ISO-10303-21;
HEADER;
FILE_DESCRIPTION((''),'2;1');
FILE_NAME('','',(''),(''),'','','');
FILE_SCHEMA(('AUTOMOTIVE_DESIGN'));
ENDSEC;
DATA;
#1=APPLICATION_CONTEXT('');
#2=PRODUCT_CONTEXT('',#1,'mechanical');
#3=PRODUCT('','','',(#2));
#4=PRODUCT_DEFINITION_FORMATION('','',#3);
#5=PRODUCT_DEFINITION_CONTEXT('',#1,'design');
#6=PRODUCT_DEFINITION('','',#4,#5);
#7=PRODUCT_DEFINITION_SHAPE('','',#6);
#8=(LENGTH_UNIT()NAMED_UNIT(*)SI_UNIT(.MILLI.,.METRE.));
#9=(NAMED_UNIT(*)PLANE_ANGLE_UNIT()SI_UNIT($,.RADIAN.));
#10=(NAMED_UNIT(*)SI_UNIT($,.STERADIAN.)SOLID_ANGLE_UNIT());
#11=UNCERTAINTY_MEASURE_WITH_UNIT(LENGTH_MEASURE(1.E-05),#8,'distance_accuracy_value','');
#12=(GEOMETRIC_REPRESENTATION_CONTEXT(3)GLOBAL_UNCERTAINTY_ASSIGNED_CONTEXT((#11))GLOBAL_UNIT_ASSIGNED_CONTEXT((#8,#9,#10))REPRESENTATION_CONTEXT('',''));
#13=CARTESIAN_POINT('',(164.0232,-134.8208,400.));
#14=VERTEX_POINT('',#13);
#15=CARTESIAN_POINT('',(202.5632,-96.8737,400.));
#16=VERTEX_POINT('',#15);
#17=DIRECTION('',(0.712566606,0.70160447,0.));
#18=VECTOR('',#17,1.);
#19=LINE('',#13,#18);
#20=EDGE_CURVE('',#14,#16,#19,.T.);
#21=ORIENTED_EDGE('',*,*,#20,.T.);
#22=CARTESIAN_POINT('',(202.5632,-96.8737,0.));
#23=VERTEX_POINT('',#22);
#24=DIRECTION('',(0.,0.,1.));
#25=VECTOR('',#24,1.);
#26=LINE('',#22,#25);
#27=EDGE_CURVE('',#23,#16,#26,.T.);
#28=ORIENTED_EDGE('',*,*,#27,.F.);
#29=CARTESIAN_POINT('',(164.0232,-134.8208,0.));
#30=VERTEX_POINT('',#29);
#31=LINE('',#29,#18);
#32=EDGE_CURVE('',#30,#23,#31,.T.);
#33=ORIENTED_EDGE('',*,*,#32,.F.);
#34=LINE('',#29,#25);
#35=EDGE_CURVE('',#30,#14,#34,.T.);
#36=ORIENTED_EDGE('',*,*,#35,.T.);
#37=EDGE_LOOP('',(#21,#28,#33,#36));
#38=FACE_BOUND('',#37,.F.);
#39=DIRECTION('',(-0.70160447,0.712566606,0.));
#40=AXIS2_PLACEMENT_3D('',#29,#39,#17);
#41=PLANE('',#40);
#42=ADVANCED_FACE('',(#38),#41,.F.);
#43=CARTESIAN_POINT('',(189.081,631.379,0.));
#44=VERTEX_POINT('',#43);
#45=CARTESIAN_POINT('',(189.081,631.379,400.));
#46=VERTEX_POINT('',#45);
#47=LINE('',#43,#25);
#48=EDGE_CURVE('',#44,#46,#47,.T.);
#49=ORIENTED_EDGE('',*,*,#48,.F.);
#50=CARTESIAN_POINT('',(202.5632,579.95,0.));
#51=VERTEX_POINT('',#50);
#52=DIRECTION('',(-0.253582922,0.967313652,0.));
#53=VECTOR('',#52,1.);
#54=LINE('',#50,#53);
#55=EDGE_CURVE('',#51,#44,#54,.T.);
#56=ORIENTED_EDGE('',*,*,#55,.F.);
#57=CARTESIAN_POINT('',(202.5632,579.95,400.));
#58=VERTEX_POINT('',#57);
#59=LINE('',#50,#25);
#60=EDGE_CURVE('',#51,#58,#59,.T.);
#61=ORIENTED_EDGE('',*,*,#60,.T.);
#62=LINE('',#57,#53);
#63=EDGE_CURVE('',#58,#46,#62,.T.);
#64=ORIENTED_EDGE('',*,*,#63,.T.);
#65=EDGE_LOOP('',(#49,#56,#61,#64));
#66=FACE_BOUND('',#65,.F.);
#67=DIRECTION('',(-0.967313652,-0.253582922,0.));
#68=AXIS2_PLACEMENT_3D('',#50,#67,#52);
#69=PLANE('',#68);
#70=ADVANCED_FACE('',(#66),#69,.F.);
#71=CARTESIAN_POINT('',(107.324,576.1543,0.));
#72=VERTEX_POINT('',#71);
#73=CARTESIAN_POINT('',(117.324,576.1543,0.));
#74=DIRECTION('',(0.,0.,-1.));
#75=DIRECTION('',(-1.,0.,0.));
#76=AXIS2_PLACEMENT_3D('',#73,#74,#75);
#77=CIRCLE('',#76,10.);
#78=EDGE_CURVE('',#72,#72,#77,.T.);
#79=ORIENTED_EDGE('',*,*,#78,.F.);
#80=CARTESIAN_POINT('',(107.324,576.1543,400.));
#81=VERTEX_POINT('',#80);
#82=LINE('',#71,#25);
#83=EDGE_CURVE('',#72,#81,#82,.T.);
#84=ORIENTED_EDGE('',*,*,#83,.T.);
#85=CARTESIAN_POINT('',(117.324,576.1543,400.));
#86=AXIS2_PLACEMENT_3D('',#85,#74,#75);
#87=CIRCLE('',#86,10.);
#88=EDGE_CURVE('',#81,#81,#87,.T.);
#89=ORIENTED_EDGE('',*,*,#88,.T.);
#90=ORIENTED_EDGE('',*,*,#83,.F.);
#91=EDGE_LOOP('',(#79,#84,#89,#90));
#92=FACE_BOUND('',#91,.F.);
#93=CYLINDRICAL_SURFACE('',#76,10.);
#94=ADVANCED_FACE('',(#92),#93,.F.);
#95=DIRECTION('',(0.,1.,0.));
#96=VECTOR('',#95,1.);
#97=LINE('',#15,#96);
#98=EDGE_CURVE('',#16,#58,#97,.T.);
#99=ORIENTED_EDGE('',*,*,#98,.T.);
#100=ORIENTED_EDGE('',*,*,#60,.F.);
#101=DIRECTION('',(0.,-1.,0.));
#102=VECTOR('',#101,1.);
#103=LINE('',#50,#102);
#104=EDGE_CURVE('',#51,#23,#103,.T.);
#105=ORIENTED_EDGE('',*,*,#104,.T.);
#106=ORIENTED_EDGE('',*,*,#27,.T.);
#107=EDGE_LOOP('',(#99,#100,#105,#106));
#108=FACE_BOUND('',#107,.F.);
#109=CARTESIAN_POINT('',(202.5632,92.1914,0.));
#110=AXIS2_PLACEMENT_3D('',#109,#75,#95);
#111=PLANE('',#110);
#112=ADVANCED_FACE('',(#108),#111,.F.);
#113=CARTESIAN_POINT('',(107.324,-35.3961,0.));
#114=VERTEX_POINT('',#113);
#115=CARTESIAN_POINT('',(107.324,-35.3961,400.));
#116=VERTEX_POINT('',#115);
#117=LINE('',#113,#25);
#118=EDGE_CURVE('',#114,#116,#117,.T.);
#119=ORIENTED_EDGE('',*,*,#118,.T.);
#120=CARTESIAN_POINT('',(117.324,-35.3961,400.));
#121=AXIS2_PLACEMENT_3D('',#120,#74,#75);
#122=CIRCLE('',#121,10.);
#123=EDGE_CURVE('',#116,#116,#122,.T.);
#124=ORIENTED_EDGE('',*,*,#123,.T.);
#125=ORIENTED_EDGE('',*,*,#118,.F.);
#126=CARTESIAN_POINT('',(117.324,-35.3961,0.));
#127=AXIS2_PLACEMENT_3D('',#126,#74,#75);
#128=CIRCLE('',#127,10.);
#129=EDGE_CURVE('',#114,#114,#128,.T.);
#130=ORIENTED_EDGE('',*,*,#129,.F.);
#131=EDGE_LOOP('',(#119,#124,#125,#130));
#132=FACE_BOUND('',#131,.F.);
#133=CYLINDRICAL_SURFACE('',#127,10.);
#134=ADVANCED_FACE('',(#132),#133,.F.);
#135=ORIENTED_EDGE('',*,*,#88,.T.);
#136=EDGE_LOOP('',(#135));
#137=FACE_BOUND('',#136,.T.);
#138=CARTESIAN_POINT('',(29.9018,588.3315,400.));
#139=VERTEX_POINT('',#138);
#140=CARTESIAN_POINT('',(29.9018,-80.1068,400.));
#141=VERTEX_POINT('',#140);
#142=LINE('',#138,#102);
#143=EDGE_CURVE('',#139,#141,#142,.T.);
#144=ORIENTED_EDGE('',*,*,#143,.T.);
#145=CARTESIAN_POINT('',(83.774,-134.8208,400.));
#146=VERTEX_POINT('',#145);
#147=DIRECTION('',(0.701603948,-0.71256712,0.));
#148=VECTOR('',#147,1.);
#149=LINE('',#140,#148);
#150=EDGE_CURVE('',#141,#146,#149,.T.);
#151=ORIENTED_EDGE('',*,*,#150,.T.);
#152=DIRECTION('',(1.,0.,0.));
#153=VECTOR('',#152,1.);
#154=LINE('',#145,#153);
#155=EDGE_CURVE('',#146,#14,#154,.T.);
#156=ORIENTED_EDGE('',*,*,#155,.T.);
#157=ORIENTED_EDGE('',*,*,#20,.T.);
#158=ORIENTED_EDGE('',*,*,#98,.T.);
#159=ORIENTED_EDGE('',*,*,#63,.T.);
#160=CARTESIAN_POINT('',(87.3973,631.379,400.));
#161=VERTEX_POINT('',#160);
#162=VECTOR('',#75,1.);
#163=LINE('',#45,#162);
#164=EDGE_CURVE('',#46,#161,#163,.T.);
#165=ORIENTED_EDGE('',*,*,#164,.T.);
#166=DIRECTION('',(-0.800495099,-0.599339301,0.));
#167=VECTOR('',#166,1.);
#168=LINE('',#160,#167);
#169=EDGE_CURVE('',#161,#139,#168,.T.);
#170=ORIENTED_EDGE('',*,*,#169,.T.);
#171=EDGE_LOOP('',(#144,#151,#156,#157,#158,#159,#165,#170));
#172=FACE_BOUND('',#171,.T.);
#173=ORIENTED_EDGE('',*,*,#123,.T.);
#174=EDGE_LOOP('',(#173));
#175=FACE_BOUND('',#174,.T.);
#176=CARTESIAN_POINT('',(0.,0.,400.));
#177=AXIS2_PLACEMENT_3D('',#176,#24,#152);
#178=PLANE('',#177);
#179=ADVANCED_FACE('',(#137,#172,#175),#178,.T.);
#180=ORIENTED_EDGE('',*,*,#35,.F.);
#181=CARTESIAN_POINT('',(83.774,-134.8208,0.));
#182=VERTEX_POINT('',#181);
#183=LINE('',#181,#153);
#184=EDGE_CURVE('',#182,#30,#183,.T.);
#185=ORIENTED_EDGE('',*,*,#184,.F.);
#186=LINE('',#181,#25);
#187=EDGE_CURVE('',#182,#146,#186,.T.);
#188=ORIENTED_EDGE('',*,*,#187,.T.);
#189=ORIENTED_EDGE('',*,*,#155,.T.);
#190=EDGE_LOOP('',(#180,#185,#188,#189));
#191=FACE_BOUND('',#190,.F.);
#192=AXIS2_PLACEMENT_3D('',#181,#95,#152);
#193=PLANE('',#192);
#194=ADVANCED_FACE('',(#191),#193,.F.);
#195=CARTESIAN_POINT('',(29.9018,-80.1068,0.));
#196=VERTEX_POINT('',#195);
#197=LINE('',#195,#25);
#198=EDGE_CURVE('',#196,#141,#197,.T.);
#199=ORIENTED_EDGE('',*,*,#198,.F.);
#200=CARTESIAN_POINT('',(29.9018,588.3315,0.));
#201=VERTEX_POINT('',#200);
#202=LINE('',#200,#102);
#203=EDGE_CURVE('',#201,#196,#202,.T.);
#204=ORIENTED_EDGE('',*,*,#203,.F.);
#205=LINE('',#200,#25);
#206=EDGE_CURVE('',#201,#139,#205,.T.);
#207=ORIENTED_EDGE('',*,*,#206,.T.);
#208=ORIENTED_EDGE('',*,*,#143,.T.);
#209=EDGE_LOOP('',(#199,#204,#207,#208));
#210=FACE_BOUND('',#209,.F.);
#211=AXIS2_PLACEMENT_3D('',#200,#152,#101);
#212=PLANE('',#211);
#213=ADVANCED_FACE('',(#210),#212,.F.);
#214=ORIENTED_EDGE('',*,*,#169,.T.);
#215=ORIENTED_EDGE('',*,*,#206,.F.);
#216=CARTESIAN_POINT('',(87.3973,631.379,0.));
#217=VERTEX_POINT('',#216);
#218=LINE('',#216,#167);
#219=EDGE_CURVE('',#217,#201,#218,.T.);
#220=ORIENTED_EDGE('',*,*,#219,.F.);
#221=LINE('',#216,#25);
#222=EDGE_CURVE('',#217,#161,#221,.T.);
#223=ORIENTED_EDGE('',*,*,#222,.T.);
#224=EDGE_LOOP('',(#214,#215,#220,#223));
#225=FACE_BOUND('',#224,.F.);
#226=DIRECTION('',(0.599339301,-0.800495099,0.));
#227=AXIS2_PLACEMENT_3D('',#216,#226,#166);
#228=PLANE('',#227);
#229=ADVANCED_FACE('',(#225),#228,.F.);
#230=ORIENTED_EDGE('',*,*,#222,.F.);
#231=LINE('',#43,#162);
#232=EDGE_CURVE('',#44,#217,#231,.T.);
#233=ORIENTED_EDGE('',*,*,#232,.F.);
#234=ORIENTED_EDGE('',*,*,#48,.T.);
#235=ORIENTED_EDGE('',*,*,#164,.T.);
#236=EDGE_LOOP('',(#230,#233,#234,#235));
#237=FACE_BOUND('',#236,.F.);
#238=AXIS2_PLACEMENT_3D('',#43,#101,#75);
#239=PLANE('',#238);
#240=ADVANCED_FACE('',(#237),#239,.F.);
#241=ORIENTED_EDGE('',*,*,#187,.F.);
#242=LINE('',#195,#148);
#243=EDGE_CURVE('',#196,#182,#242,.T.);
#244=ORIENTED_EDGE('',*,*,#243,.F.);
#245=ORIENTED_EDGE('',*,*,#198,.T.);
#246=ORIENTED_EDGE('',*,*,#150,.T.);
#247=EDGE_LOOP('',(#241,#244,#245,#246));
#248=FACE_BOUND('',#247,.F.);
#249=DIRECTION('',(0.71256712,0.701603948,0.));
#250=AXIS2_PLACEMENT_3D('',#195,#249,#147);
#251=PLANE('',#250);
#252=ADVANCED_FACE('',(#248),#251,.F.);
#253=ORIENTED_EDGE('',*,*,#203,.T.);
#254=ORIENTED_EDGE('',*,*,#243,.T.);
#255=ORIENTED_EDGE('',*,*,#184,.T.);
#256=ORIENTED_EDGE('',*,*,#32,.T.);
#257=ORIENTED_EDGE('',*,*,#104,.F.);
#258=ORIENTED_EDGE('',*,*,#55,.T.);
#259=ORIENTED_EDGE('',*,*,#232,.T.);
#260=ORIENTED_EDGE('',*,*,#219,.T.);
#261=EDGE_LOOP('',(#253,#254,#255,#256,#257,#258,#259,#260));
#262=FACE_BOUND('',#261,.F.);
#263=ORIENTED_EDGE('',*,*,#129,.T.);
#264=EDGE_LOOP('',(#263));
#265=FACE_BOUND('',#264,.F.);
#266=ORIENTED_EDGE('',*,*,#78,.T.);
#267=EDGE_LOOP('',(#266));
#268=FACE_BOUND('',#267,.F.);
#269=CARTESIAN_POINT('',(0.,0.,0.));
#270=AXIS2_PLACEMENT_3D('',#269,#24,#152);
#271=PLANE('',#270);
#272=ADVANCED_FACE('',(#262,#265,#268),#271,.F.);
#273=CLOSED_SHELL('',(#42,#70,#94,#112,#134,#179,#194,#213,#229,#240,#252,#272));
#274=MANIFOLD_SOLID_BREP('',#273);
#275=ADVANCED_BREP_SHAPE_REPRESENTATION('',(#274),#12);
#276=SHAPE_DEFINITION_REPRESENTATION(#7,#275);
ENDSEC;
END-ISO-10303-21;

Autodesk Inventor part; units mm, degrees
ref_plane "YZ Plane" through (0, 0, 0) normal (1, 0, 0) x (0, 1, 0)
ref_plane "XZ Plane" through (0, 0, 0) normal (0, 1, 0) x (-1, 0, 0)
ref_plane "XY Plane" through (0, 0, 0) normal (0, 0, 1) x (1, 0, 0)
sketch "Эскиз1" plane through (0, 0, 0) normal (0, 0, 1) x (1, 0, 0)
  line L0 (29.9018, -80.1068) -> (83.774, -134.8208)
  line L1 (83.774, -134.8208) -> (164.0232, -134.8208)
  line L2 (164.0232, -134.8208) -> (202.5632, -96.8737)
  line L3 (202.5632, -96.8737) -> (202.5632, 92.1914)
  line L4 (202.5632, 92.1914) -> (202.5632, 579.95)
  line L5 (202.5632, 579.95) -> (189.081, 631.379)
  line L6 (189.081, 631.379) -> (87.3973, 631.379)
  line L7 (87.3973, 631.379) -> (29.9018, 588.3315)
  line L8 (29.9018, 588.3315) -> (29.9018, -80.1068)
  point P0 (0, 0)
extrude "Выдавливание1" add sketch "Эскиз1" along normal blind 400
sketch "Эскиз2" plane through (0, 0, 0) normal (0, 0, -1) x (-1, 0, 0)
  circle A0 centre (-117.324, -35.3961) radius 10
  circle A1 centre (-117.324, 576.1543) radius 10
  point P0 (0, 0)
  dimension "d2" = 20
  dimension "d3" = 20
extrude "Выдавливание2" cut sketch "Эскиз2" against normal through all
properties part number "Тело"
